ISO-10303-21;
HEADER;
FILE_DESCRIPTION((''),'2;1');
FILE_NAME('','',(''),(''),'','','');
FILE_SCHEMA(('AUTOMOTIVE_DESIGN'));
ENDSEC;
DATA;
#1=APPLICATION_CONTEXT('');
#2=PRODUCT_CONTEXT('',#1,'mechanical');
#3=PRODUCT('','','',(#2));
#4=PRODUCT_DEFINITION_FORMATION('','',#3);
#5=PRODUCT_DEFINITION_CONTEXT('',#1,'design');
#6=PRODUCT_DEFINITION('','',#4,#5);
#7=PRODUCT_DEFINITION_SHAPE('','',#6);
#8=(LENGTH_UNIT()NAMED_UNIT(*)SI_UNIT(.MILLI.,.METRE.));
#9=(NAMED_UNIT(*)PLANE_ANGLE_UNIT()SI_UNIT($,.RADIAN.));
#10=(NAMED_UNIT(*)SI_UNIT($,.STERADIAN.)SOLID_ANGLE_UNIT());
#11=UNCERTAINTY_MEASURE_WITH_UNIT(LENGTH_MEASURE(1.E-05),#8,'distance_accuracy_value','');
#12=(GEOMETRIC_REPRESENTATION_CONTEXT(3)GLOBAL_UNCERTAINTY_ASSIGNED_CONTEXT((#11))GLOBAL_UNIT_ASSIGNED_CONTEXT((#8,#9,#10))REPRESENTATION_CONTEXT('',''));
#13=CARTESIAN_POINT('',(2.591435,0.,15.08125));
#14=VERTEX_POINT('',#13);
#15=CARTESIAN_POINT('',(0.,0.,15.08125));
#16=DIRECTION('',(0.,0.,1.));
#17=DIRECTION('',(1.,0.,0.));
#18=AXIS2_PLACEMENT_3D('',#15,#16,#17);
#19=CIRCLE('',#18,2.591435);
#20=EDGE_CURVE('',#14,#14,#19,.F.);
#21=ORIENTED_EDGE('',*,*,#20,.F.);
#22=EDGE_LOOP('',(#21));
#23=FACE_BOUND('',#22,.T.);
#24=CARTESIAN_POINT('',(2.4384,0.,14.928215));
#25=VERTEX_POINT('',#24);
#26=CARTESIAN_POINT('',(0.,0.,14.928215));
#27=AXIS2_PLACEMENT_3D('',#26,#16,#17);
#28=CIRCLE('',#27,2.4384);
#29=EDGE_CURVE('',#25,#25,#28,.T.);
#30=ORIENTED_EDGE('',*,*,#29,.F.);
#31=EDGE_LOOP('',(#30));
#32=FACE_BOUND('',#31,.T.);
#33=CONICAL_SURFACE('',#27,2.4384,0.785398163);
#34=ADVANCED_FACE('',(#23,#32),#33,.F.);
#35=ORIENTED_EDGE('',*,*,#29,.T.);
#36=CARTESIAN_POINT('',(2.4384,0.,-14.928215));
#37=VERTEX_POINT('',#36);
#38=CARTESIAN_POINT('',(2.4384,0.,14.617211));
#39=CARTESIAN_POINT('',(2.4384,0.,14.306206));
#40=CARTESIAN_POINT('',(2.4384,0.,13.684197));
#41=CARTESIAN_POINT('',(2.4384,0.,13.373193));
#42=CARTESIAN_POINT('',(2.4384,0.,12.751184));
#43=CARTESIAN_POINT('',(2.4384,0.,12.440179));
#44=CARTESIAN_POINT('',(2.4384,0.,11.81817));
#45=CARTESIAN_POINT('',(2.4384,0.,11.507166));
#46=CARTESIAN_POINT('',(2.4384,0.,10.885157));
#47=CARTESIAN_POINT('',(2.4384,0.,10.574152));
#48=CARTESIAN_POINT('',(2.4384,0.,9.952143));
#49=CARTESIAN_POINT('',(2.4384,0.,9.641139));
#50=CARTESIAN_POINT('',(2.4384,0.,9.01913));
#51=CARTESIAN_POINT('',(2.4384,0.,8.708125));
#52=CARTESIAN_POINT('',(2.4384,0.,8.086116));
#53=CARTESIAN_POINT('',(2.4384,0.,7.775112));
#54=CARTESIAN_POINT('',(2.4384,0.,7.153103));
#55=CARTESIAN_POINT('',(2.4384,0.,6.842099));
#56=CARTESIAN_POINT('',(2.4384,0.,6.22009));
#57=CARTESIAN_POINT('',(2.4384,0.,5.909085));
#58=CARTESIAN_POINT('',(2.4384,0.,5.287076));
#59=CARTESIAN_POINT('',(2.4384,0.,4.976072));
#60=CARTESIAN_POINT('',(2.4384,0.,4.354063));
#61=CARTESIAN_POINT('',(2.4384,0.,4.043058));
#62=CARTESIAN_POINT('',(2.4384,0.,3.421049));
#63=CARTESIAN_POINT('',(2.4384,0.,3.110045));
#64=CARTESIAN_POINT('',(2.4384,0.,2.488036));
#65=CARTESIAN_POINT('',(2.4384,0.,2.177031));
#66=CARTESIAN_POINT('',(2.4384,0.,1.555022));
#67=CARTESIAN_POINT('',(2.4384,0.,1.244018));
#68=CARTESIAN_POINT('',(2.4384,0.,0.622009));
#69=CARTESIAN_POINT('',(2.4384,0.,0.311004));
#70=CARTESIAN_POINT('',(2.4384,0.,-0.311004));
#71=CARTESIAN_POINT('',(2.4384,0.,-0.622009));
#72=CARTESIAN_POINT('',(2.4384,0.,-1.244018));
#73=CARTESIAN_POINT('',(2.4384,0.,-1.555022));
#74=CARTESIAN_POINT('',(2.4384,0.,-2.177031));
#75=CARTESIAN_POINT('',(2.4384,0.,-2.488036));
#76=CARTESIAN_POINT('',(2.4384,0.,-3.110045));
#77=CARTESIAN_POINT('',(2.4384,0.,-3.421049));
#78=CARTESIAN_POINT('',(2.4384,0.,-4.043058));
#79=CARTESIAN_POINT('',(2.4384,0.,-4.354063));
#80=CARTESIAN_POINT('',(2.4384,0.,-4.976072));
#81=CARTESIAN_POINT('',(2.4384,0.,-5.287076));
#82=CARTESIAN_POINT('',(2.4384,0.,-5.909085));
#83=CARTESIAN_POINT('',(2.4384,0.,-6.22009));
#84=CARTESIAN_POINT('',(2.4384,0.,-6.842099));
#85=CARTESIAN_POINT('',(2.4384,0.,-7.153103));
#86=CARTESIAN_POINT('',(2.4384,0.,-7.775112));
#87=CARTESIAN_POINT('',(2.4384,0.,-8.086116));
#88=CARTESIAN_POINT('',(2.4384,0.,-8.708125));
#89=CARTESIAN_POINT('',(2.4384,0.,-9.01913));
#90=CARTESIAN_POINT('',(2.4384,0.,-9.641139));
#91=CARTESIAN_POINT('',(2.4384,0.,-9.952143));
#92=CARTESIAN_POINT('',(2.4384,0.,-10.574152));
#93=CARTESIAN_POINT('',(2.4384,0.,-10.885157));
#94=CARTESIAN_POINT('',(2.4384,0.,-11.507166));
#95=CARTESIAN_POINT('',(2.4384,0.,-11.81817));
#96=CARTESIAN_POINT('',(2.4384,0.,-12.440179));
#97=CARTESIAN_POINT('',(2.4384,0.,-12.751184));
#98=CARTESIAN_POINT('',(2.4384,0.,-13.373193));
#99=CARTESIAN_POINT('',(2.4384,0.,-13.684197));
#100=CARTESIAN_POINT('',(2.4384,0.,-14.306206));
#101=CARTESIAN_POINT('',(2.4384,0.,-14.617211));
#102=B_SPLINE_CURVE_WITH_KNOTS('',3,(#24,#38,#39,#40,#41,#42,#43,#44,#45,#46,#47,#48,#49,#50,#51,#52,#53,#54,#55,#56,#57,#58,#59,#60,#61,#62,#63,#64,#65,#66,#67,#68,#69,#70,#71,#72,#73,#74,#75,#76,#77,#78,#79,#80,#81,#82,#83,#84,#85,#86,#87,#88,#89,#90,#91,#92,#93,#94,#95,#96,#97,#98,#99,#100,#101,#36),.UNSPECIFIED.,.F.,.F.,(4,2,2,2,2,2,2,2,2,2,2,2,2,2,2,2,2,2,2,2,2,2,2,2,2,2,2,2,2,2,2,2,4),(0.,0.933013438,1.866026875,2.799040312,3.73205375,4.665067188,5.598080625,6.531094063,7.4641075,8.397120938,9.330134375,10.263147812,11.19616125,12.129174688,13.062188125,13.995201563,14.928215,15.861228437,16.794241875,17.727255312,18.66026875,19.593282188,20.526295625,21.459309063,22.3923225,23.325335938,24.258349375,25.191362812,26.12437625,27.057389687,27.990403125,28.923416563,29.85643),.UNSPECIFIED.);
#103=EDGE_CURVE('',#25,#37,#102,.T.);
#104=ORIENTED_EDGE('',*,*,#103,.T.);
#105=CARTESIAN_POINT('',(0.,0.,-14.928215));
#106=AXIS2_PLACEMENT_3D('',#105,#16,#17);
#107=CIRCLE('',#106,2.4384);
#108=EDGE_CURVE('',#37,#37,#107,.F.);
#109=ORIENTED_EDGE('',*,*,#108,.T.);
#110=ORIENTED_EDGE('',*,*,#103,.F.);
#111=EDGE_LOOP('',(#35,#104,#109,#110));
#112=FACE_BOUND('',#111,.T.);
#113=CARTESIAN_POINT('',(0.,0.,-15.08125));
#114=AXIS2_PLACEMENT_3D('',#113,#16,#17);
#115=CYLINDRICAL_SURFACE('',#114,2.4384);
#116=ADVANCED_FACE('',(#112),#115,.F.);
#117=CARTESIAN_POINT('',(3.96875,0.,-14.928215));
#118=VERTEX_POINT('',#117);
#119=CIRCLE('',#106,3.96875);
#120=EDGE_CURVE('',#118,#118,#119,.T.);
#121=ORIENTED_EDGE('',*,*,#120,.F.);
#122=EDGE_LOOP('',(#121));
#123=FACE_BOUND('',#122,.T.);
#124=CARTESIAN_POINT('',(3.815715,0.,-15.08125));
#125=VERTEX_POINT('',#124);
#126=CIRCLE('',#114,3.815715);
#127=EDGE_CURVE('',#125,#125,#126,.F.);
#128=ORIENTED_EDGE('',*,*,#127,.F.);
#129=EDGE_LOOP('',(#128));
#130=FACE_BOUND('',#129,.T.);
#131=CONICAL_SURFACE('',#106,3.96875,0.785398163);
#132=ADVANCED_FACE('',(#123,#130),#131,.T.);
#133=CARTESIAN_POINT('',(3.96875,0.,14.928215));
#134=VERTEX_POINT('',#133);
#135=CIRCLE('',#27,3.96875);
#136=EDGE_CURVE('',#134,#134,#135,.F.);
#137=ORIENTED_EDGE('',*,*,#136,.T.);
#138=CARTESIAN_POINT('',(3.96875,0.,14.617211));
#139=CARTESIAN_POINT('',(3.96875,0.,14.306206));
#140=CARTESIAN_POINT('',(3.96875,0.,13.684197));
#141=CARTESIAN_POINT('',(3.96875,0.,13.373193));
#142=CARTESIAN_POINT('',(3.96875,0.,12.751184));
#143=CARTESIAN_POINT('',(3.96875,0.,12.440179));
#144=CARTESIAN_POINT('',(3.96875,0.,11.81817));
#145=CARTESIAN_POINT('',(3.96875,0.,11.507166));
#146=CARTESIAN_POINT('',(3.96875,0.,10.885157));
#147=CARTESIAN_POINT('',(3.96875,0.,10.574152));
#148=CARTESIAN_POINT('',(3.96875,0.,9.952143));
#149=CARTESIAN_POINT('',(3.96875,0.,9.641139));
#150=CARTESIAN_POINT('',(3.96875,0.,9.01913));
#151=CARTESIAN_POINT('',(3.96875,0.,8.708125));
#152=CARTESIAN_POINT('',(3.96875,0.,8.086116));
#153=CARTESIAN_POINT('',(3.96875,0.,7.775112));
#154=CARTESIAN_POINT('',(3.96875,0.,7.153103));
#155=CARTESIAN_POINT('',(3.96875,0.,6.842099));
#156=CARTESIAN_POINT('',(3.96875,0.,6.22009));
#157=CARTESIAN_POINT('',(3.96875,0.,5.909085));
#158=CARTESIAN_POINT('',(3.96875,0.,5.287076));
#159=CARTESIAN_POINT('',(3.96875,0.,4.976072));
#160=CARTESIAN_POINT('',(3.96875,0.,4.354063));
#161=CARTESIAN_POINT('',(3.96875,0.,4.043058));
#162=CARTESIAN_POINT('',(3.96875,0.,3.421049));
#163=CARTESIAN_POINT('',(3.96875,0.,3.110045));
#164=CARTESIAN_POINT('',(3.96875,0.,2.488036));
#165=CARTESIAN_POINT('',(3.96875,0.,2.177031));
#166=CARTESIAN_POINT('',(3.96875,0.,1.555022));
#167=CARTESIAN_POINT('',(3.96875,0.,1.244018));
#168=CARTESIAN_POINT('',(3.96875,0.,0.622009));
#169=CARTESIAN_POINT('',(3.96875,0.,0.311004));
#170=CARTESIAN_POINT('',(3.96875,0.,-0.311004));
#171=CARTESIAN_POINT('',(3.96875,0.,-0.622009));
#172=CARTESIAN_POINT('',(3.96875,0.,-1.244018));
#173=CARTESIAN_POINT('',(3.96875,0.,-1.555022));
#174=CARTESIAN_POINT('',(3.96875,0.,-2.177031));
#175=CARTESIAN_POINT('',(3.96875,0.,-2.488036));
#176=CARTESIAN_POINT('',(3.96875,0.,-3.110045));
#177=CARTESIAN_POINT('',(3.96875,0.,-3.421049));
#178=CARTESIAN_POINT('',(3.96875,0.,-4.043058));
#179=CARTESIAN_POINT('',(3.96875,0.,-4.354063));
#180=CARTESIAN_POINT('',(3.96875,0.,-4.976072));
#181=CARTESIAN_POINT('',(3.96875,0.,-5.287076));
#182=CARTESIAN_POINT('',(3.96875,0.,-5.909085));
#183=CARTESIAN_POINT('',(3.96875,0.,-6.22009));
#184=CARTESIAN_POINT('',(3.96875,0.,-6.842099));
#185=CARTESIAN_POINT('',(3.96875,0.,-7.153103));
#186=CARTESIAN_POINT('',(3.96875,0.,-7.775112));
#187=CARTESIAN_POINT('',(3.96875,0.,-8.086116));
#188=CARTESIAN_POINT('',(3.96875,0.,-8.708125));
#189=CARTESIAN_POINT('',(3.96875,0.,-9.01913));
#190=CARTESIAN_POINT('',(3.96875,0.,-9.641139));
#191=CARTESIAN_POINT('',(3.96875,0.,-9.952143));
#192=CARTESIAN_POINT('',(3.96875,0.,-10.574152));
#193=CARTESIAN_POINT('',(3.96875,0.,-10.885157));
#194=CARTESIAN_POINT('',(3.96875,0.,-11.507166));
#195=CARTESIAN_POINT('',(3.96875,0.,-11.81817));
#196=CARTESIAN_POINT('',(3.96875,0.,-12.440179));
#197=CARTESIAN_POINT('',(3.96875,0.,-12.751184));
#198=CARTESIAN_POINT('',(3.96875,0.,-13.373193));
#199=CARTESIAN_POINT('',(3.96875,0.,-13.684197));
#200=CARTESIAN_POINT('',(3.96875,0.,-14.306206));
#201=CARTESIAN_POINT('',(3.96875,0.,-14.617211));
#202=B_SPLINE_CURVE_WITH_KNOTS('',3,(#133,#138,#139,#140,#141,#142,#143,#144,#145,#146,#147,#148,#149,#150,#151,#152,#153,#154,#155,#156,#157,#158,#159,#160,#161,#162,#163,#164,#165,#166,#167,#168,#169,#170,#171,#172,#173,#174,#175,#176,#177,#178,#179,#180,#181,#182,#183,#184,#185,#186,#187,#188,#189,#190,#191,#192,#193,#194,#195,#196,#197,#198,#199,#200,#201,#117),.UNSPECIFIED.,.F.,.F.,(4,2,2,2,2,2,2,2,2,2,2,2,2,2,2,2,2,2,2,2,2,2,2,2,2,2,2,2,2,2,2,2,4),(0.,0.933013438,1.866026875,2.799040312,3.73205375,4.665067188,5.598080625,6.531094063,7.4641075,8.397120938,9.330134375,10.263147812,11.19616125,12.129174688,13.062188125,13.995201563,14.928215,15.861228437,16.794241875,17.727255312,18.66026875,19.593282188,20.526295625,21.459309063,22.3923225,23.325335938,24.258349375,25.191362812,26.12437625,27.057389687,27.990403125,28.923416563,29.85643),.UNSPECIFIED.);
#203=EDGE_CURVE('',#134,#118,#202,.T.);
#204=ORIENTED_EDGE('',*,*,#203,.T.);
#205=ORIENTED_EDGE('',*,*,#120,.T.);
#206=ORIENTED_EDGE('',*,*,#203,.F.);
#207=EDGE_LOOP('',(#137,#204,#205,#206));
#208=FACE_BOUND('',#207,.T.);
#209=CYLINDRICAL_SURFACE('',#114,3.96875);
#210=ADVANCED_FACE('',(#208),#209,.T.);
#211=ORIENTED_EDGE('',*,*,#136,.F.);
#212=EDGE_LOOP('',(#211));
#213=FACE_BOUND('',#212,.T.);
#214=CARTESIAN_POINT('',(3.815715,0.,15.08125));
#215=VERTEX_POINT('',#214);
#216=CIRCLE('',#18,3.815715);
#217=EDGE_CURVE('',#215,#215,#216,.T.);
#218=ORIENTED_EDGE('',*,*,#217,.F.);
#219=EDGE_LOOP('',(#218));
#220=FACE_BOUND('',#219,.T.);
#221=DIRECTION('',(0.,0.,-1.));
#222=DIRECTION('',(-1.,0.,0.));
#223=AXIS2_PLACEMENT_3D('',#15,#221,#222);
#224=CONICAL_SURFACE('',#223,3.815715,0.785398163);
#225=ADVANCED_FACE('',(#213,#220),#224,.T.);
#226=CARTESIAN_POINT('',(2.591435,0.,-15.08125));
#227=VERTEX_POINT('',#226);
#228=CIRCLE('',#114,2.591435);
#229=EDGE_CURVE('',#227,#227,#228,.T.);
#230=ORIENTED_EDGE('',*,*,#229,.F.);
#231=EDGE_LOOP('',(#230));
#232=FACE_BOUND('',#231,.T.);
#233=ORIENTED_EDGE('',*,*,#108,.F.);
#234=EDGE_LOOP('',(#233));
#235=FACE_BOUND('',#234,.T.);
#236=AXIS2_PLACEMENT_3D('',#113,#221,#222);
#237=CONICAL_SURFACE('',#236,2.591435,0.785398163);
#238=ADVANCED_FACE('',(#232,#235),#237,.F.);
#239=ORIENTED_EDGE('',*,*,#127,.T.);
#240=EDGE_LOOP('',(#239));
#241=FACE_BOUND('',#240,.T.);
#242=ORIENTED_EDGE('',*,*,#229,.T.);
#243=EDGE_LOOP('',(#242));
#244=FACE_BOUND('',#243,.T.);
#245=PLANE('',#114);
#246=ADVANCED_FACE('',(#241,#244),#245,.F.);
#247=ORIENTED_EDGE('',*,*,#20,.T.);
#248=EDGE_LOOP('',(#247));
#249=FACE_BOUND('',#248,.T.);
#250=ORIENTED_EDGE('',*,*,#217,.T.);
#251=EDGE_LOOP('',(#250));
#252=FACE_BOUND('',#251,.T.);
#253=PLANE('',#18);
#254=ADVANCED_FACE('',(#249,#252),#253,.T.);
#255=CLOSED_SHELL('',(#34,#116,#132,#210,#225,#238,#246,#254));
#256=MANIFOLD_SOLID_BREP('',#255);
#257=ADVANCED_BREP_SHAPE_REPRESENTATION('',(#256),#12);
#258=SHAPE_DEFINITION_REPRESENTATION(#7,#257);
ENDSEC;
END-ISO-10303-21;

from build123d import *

# Parameters (mm, degrees)
BOSS_EXTRUDE1_DEPTH      = 15.08125
BOSS_EXTRUDE1_DEPTH_BACK = 15.08125
SKETCH3_R                = 3.96875
SKETCH3_R_2              = 2.4384
CHAMFER1_SIZE            = 0.153035


with BuildPart() as part:
    # Sketch3 → Boss-Extrude1 (new, two sides: drawn at the far end of the back side and taken through both)
    with BuildSketch(Plane.XY.offset(-BOSS_EXTRUDE1_DEPTH_BACK)):
        Circle(SKETCH3_R)
        Circle(SKETCH3_R_2, mode=Mode.SUBTRACT)
    extrude(amount=BOSS_EXTRUDE1_DEPTH + BOSS_EXTRUDE1_DEPTH_BACK)

    # Chamfer1
    chamfer1_edges = [part.edges().sort_by_distance(p)[0] for p in [
        (-3.96875, 0, -15.08125),
        (-2.4384, 0, -15.08125),
        (-3.96875, 0, 15.08125),
        (-2.4384, 0, 15.08125),
    ]]
    chamfer(chamfer1_edges, length=CHAMFER1_SIZE)


solid = part.part
